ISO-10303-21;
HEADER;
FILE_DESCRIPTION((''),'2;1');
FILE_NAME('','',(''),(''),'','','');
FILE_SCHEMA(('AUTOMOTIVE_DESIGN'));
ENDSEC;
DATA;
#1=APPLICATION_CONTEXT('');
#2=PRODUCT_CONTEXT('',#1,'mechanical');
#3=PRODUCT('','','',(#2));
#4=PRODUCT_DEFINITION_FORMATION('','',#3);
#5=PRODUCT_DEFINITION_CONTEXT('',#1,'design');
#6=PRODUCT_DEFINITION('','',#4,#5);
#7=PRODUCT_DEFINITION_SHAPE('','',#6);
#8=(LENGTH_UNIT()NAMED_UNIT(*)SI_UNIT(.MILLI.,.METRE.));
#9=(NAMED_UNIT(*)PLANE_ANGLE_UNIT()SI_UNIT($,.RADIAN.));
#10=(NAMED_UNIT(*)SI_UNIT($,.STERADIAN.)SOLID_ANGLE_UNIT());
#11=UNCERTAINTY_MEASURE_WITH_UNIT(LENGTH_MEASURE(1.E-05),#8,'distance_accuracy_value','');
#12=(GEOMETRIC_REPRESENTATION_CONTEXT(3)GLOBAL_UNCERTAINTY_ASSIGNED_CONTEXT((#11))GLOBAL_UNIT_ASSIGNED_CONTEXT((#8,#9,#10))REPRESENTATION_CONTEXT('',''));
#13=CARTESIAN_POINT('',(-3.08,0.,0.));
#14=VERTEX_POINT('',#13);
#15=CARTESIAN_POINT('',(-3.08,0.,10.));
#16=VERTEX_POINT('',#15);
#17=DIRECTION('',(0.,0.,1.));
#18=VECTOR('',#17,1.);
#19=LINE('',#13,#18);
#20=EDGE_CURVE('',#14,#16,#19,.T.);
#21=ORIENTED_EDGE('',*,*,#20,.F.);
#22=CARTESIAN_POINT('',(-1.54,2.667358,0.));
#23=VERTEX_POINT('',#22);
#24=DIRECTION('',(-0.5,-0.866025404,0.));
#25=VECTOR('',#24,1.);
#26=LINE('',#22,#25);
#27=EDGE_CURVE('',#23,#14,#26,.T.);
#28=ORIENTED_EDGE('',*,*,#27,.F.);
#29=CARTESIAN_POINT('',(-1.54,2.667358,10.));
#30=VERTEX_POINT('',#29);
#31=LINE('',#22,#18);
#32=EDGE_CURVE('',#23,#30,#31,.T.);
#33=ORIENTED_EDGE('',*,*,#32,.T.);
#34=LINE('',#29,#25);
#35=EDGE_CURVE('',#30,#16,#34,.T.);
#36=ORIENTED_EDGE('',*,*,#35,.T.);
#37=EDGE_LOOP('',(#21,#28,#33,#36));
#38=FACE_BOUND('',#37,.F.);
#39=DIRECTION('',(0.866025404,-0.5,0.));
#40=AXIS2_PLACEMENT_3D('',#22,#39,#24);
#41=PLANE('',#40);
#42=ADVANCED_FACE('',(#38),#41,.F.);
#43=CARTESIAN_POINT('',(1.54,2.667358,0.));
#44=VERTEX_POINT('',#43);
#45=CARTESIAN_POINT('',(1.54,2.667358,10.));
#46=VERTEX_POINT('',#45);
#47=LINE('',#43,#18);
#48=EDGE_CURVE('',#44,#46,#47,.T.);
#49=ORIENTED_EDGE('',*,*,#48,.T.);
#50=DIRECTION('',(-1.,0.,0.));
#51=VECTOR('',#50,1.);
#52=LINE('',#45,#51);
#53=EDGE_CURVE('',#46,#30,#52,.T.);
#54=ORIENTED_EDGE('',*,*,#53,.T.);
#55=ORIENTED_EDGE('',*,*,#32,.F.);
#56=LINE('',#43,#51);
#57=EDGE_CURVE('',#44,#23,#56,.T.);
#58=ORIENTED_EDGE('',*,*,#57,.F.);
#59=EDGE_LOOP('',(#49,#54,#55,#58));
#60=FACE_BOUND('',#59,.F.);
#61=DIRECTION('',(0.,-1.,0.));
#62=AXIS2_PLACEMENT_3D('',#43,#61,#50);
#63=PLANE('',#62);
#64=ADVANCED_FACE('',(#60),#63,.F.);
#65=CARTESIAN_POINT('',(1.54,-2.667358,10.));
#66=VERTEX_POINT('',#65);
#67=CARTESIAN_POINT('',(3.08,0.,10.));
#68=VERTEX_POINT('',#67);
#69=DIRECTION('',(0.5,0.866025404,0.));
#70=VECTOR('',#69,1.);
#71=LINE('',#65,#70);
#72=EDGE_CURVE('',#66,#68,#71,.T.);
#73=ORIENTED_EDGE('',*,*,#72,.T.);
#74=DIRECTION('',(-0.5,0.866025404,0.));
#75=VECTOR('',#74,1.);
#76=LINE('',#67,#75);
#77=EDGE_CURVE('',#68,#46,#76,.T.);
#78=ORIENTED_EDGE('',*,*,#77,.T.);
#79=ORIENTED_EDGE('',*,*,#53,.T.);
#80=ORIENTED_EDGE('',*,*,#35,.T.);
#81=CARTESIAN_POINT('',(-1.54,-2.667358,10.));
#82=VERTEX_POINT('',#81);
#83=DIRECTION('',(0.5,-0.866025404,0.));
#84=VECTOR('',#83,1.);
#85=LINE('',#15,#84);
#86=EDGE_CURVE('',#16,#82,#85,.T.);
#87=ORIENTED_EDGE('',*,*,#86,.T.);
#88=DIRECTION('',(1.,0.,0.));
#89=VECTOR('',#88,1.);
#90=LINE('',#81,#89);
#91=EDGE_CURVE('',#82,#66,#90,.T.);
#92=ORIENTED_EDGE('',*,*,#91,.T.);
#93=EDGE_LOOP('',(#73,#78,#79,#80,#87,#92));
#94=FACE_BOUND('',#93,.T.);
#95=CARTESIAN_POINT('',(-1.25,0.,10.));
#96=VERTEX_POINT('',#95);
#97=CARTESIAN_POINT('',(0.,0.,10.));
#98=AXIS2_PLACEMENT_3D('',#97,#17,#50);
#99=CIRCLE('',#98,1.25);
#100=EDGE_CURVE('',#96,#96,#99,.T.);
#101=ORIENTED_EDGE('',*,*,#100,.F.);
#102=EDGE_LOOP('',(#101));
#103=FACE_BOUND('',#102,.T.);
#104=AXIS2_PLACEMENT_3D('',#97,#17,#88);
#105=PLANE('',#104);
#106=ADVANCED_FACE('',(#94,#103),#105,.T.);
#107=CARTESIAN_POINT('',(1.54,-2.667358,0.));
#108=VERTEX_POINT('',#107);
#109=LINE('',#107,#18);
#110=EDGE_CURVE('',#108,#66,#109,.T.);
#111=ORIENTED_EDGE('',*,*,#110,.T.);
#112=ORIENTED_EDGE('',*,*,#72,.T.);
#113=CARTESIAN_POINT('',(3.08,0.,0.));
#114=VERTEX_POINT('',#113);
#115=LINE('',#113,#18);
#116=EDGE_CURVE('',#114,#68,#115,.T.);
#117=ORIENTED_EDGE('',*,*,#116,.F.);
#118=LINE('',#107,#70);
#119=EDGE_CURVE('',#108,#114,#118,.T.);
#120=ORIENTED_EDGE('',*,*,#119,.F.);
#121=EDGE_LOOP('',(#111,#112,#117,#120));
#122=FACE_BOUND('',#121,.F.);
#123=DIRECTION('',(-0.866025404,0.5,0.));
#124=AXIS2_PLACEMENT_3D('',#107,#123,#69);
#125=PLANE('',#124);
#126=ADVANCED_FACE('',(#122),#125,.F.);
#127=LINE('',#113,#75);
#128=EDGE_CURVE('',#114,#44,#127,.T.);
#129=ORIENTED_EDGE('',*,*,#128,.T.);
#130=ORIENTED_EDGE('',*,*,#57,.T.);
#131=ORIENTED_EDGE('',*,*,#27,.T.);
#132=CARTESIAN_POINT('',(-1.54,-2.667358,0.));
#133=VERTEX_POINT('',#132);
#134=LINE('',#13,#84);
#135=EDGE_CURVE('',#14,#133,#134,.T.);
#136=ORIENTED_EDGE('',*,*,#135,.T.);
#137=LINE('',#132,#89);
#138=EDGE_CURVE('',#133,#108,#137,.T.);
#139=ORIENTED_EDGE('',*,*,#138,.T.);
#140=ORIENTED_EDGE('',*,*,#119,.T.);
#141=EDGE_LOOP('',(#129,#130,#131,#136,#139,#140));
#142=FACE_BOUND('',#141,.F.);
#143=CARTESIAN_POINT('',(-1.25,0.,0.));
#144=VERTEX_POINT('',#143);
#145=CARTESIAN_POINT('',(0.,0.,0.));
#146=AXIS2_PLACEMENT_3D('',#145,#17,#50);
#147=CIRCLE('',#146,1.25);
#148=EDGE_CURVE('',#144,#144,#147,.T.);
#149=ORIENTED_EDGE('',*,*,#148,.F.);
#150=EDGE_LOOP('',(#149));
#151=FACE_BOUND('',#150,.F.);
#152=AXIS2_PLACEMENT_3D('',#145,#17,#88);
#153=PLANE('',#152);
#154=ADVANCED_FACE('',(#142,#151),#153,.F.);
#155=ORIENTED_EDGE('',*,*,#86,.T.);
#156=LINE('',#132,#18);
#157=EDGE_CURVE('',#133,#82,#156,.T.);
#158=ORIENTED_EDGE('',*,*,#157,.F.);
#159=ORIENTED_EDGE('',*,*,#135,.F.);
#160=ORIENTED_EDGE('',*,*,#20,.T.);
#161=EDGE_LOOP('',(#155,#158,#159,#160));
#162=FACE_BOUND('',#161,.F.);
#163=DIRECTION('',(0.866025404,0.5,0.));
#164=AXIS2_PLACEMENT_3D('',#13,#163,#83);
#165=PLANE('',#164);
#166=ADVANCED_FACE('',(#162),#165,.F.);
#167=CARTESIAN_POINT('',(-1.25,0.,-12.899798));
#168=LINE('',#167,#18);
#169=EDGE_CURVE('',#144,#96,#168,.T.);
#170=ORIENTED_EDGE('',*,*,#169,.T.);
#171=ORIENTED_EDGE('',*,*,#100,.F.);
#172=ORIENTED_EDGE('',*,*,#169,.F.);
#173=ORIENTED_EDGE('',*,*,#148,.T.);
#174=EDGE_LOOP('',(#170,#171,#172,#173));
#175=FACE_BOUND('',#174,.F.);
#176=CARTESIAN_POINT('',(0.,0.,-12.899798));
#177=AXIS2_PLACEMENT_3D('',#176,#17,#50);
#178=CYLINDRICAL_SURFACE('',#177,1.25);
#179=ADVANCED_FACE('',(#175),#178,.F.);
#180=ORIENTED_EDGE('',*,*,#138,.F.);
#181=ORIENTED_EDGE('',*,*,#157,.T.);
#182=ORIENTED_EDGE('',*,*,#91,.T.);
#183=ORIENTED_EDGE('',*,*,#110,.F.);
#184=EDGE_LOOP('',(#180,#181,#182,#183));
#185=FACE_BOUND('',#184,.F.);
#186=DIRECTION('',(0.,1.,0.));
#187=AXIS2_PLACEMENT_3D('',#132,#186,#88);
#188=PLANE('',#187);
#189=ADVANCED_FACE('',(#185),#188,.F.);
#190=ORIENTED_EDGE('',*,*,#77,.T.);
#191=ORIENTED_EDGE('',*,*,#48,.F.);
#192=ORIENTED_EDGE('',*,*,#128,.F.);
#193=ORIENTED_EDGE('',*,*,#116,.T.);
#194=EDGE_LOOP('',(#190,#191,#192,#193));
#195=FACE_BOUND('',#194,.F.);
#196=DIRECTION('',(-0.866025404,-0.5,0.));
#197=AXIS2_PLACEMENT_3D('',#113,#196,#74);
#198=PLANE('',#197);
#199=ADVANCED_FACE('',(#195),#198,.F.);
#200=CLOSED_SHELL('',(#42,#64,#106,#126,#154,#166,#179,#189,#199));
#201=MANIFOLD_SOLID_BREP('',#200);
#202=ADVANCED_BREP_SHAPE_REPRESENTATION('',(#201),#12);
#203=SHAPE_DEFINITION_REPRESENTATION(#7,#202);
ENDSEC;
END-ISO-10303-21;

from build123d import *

# Parameters (mm, degrees)
F1_DEPTH = 10
F2_D     = 2.5


with BuildPart() as f1:
    # F0 (on Top) → F1 (new body)
    with BuildSketch(Plane.XY):
        Polygon((1.54, 2.6673582437), (-1.54, 2.6673582437), (-3.08, 0), (-1.54, -2.6673582437), (1.54, -2.6673582437), (3.08, 0), align=None)
    extrude(amount=F1_DEPTH)

    # F2 (through all)
    with Locations(Plane(origin=(0, 0, 0), x_dir=(1, 0, 0), z_dir=(0, 0, -1))):
        with Locations((0, 0)):
            Hole(F2_D / 2)


solid = f1.part
